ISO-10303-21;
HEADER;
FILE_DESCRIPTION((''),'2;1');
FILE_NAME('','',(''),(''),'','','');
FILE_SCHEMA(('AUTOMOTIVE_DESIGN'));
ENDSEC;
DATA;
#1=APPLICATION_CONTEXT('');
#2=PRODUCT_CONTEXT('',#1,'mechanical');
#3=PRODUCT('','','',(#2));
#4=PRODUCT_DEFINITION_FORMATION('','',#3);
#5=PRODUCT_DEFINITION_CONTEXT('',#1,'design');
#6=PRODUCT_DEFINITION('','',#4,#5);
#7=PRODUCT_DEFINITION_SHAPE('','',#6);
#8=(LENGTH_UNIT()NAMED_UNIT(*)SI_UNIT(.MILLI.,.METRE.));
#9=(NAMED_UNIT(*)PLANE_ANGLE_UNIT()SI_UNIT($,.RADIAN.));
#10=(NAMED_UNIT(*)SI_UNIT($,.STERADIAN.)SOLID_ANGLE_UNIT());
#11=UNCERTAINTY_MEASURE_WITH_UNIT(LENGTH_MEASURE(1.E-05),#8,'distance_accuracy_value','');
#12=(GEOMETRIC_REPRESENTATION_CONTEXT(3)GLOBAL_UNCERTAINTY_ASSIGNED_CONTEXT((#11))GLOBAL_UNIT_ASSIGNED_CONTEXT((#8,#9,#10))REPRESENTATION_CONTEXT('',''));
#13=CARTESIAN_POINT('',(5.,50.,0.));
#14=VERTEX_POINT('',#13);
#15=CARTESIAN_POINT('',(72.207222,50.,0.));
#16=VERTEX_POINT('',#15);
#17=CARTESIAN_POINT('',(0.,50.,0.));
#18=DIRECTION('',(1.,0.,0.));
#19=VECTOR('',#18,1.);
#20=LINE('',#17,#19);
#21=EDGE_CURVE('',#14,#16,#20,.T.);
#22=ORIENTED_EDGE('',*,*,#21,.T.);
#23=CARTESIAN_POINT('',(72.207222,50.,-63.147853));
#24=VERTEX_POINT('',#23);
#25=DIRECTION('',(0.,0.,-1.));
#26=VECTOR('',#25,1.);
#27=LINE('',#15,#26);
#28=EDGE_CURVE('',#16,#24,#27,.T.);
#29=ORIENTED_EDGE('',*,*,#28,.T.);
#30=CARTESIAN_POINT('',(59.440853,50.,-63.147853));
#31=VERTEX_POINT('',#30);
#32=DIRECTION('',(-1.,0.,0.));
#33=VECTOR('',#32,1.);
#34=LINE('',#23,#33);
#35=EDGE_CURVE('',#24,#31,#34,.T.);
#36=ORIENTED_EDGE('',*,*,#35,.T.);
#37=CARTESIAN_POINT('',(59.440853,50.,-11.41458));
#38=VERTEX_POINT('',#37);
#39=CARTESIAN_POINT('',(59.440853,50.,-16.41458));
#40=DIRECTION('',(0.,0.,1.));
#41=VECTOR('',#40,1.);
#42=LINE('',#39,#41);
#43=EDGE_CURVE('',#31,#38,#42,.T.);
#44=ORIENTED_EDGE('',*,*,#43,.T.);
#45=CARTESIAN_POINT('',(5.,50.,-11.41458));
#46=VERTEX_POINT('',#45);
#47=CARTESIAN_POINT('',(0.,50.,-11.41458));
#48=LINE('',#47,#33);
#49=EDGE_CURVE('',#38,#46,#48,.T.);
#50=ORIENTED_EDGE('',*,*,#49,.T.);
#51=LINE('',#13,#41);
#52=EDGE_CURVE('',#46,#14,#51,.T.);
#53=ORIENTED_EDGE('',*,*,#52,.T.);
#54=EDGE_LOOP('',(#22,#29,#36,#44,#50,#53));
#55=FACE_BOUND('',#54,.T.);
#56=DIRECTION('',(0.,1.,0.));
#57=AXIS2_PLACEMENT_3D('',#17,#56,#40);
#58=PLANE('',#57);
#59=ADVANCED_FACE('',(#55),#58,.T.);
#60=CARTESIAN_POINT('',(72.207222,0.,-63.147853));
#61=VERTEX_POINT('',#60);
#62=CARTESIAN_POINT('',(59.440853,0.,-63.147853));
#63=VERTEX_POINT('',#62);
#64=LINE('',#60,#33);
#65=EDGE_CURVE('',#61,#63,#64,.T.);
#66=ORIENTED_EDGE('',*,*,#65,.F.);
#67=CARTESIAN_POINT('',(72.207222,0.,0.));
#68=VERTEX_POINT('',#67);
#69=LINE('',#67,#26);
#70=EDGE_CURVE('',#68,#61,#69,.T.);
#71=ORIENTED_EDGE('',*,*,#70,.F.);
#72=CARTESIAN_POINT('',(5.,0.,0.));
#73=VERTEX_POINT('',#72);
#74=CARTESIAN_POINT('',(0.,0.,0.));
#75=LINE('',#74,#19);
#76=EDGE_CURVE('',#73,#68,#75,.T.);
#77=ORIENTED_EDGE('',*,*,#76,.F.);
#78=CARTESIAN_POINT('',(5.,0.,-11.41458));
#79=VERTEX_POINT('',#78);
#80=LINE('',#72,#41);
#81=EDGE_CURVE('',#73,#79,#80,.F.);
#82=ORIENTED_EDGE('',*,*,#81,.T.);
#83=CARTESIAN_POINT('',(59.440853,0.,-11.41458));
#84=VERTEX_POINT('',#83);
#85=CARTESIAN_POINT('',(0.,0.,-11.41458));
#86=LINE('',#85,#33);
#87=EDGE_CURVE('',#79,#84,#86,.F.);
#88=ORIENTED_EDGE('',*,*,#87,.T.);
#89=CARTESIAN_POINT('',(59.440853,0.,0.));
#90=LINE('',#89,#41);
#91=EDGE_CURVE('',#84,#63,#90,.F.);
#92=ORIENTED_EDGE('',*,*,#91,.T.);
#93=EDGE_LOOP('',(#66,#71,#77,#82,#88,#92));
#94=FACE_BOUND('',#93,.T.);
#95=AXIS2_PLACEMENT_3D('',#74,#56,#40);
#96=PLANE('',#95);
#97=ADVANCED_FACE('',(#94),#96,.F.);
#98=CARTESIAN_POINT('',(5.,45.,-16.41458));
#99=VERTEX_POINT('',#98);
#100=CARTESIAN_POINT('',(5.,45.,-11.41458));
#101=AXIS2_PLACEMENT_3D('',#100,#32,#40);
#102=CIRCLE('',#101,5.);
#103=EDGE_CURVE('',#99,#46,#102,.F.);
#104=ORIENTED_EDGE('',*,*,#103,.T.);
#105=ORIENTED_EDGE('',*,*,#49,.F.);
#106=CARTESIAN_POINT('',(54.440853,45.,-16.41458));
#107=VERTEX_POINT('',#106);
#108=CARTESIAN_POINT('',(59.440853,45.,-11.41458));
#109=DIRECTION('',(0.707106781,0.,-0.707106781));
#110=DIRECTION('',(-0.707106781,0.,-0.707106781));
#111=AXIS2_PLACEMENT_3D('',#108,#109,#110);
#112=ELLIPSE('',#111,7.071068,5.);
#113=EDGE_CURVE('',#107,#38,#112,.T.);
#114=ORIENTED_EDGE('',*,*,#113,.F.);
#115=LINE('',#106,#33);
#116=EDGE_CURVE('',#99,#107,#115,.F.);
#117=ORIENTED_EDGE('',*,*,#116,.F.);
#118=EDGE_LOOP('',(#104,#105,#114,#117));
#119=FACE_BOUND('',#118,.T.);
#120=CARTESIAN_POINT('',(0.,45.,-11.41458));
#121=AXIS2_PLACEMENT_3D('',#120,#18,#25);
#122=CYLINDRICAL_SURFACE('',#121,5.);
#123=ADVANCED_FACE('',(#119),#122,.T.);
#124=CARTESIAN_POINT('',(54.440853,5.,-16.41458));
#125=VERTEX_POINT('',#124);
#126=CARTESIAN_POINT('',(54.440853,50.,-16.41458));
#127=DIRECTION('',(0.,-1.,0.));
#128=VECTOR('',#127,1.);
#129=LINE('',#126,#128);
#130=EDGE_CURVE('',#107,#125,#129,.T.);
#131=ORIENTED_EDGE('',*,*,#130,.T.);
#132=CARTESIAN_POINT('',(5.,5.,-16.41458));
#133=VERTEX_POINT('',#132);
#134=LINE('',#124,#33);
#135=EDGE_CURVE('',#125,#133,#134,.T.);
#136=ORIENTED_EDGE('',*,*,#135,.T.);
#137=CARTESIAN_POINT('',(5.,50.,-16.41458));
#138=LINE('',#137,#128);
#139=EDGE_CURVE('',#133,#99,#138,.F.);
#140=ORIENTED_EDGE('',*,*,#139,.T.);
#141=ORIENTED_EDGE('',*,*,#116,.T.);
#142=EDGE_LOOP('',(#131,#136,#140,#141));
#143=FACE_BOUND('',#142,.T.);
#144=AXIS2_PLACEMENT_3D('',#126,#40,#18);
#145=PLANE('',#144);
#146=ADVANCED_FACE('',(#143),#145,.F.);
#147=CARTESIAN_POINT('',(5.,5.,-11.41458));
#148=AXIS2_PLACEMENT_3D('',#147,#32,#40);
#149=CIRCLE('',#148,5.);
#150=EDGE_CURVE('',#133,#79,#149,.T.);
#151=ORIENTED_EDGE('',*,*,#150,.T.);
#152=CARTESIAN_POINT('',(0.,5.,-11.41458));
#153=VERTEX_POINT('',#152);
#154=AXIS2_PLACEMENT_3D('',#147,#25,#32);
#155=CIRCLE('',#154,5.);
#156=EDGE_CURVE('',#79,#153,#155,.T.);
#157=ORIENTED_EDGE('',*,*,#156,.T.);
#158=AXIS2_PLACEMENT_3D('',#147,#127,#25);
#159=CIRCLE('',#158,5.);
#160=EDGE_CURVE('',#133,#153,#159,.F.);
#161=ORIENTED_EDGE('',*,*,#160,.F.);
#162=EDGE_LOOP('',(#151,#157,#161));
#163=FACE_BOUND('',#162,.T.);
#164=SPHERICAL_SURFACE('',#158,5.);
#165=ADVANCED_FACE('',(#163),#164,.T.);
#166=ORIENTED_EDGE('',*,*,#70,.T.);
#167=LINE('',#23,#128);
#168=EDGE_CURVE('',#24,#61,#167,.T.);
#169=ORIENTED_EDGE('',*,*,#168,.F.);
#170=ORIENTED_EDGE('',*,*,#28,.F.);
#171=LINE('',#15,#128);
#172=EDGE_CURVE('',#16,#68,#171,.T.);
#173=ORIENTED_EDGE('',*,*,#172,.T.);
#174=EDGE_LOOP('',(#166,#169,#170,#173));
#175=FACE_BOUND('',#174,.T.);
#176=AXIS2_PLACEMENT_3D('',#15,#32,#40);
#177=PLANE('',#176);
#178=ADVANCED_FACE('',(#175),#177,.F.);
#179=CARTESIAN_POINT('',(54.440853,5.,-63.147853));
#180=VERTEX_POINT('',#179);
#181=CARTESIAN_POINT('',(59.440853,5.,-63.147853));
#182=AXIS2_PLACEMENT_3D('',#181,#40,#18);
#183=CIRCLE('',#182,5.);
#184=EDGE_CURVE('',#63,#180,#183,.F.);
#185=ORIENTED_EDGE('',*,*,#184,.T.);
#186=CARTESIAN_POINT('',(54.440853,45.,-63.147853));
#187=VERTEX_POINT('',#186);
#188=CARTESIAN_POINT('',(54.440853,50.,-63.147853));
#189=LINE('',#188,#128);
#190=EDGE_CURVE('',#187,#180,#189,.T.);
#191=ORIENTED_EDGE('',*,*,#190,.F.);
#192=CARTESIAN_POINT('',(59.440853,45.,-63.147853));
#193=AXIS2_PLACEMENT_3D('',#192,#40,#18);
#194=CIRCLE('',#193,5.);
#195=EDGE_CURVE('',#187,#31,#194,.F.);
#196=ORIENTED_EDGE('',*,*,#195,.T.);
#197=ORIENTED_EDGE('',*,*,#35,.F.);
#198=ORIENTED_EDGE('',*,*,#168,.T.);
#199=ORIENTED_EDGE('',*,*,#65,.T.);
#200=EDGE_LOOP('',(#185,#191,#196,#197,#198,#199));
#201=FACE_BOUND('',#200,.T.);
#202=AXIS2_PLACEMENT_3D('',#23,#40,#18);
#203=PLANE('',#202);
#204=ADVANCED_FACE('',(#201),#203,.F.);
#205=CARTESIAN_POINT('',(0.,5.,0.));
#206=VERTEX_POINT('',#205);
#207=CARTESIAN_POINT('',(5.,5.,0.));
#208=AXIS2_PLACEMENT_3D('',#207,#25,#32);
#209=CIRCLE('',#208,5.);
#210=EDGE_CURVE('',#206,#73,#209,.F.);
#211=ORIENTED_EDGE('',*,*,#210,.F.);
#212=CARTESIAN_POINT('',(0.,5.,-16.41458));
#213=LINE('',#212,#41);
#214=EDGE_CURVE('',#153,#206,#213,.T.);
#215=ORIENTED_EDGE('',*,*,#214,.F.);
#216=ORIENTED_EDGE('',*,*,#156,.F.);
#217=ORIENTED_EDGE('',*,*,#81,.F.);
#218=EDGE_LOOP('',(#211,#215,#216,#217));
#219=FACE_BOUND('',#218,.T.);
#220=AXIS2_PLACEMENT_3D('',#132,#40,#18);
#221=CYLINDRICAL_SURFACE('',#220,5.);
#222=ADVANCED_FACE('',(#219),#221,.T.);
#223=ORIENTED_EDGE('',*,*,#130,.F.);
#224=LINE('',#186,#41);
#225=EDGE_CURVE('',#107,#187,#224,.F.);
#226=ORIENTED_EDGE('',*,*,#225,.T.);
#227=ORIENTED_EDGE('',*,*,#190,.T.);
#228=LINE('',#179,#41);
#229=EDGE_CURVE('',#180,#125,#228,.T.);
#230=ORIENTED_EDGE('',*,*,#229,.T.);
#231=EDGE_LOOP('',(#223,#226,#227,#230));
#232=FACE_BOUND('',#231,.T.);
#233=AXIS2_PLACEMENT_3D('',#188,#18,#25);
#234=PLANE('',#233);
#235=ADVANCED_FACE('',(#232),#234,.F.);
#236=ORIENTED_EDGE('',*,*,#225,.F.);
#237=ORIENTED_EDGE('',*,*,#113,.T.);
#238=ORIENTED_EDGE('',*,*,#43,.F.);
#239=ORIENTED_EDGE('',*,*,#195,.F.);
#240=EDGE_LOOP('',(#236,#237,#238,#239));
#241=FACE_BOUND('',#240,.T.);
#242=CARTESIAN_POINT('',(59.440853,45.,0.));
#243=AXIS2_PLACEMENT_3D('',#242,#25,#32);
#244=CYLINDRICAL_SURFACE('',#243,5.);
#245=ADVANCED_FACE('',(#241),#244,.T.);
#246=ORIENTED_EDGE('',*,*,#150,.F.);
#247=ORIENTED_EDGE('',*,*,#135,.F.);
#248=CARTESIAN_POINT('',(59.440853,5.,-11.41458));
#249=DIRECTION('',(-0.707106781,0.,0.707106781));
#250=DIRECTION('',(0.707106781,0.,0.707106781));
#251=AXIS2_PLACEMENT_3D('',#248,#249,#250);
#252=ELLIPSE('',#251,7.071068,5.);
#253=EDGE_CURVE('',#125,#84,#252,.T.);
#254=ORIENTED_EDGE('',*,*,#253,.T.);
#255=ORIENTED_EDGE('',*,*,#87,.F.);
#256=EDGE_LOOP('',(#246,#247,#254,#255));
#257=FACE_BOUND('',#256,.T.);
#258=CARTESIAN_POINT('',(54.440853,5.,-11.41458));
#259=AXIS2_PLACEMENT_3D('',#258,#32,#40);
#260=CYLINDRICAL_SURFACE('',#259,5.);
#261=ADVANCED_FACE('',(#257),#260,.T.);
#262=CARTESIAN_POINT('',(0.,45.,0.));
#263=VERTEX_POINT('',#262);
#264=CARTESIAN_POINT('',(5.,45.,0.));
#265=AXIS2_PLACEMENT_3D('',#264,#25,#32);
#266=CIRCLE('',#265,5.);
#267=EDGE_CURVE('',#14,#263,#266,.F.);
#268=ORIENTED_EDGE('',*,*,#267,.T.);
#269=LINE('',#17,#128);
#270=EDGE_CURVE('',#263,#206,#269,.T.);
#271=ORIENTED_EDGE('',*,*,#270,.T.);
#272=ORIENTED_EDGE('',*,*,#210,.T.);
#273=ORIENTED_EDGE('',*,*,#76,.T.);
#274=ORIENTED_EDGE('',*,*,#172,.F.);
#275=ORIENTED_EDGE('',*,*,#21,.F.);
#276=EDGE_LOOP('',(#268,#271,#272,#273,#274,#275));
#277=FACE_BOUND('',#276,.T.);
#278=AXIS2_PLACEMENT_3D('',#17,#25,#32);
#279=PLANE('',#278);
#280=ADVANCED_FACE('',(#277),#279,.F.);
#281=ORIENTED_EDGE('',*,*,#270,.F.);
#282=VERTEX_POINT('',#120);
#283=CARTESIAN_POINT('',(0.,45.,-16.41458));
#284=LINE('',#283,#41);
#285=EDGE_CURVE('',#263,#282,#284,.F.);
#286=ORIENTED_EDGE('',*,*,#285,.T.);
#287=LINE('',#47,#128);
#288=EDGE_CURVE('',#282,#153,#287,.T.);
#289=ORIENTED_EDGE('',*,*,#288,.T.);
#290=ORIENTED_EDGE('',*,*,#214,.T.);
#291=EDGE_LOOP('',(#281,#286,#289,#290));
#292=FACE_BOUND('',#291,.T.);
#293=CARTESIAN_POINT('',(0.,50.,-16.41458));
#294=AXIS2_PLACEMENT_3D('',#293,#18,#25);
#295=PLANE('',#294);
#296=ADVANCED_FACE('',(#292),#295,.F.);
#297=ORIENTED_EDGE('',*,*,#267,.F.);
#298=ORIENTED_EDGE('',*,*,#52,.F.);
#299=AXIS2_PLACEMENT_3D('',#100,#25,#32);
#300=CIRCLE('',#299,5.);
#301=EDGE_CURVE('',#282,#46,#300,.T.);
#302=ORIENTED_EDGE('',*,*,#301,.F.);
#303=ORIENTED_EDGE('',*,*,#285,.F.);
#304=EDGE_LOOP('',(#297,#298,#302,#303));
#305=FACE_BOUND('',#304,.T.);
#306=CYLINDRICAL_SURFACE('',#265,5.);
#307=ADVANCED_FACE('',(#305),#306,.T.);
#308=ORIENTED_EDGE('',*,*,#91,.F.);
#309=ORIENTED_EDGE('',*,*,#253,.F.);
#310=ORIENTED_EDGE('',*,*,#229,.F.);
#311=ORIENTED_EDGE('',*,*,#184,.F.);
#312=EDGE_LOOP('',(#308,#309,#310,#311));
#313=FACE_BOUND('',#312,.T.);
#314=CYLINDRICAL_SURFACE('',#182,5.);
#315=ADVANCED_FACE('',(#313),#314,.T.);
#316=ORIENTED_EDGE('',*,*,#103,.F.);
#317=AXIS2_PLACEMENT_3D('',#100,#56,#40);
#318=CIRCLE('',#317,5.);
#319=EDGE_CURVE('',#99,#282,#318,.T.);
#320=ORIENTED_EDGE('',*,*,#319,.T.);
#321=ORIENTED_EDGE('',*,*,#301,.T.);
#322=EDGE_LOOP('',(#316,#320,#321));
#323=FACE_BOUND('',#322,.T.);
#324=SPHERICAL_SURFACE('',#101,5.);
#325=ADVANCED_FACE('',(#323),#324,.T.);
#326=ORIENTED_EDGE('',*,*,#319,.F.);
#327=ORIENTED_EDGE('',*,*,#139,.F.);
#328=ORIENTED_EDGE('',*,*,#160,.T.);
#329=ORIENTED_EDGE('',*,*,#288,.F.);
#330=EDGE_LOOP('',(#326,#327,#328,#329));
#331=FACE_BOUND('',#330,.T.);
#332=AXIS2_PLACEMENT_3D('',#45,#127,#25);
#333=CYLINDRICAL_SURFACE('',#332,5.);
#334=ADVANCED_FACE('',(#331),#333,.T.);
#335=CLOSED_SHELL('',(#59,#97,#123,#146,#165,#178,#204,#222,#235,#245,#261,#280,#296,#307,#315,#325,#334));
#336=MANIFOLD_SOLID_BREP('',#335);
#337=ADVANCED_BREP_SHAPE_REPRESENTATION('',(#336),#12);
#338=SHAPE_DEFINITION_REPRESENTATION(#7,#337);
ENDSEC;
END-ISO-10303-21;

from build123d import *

# Parameters (mm, degrees)
BOSS_EXTRUDE1_DEPTH = 50
FILLET2_R           = 5


with BuildPart() as part:
    # Sketch1 → Boss-Extrude1 (new body)
    with BuildSketch(Plane(origin=(0, 0, 0), x_dir=(1, 0, 0), z_dir=(0, 1, 0))):
        Polygon((0, 0), (72.207221558, 0), (72.207221558, 63.147853309), (54.440853042, 63.147853309), (54.440853042, 16.414579606), (0, 16.414579606), align=None)
    extrude(amount=BOSS_EXTRUDE1_DEPTH)

    # Fillet2
    fillet2_edges = [part.edges().sort_by_distance(p)[0] for p in [
        (0, 25, -16.414579606),
        (54.440853042, 50, -39.781216458),
        (27.220426521, 50, -16.414579606),
        (0, 50, -8.207289803),
        (27.220426521, 0, -16.414579606),
        (54.440853042, 0, -39.781216458),
        (0, 0, -8.207289803),
    ]]
    fillet(fillet2_edges, radius=FILLET2_R)


solid = part.part
